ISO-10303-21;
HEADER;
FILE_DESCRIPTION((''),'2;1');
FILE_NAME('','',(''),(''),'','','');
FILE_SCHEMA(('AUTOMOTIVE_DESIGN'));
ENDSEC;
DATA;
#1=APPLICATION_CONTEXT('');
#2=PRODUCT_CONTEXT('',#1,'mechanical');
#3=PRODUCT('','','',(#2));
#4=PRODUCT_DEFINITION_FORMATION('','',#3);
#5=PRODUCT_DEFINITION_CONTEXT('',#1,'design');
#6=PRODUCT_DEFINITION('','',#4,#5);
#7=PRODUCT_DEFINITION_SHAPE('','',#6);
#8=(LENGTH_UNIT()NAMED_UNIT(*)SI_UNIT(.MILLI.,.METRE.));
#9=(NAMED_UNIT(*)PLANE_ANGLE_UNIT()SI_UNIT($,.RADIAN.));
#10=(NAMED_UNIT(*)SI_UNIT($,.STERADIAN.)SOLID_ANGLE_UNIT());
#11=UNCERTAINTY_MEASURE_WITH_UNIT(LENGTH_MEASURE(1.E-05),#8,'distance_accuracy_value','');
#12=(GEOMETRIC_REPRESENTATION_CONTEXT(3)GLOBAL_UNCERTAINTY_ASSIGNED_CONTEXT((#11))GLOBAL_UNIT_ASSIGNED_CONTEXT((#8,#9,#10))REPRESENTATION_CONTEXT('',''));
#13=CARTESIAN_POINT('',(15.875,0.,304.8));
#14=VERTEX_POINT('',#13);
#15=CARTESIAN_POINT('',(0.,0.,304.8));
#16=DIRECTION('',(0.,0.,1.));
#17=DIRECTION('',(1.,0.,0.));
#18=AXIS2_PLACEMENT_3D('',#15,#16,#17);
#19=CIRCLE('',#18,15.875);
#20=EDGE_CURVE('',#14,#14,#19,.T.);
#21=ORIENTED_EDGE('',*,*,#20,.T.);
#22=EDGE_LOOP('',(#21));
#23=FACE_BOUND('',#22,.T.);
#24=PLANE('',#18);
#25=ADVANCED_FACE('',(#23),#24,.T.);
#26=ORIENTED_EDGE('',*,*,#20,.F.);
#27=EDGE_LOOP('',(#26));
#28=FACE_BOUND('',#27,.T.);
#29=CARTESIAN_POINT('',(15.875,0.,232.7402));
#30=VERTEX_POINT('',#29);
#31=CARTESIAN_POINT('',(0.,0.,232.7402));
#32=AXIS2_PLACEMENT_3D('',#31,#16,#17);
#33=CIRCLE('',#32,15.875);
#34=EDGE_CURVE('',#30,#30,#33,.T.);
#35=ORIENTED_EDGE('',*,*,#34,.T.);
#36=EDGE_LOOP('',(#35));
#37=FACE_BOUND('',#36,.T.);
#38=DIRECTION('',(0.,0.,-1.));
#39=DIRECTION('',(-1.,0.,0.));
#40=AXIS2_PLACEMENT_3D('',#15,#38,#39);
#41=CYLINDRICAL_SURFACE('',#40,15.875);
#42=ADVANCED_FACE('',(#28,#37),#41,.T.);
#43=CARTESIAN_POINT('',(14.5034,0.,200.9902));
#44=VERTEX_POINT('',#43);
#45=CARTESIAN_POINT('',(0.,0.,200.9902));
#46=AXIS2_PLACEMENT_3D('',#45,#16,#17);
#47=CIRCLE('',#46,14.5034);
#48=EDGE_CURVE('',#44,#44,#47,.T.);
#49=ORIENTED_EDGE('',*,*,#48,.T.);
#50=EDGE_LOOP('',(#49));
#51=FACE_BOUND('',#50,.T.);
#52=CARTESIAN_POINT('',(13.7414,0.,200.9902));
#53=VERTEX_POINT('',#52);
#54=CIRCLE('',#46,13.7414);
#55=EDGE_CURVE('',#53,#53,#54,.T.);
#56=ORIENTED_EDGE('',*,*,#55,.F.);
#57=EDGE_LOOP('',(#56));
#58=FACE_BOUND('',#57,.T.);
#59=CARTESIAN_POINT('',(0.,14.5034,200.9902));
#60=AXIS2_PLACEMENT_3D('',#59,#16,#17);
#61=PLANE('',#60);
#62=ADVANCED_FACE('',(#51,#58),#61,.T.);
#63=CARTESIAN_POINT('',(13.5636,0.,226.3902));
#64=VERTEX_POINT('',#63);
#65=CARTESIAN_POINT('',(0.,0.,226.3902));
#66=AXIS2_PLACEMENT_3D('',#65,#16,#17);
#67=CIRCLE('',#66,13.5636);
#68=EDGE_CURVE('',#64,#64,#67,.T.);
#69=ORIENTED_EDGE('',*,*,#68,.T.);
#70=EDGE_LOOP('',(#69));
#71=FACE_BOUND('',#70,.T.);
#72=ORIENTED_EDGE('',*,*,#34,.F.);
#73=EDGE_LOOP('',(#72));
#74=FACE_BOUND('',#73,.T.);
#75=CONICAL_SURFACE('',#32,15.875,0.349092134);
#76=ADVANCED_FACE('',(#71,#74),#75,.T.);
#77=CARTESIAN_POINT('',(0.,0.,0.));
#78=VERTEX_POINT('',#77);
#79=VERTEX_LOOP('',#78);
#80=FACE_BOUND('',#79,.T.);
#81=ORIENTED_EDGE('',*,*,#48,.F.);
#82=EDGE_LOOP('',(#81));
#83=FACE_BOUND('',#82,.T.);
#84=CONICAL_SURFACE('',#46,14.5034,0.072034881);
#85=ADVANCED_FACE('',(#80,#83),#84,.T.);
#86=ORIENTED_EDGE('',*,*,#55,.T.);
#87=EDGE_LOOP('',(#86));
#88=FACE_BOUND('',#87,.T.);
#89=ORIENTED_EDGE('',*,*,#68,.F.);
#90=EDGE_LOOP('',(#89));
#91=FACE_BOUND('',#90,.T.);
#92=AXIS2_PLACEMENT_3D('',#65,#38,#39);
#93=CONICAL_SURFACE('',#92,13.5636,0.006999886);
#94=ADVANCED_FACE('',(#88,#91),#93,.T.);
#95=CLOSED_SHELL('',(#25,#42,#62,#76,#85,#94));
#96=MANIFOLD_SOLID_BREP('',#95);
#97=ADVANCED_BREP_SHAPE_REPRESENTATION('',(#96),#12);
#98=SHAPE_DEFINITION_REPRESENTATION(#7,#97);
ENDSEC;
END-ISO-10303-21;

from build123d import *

# Parameters (mm, degrees)
SKETCH1_R           = 15.875
BOSS_EXTRUDE1_DEPTH = 304.8


with BuildPart() as part:
    # Sketch1 → Boss-Extrude1 (new body)
    with BuildSketch(Plane.XY):
        Circle(SKETCH1_R)
    extrude(amount=BOSS_EXTRUDE1_DEPTH)

    # Sketch2 → Cut-Revolve9 (revolve, cut)
    with BuildSketch(Plane(origin=(0, 0, 0), x_dir=(0, 0, -1), z_dir=(1, 0, 0))):
        Polygon((0, 0), (-200.9902, 14.5034), (-200.9902, 13.7414), (-226.3902, 13.5636), (-232.7402, 15.875), (-232.7402, 31.694033842), (2.194318367, 31.694033842), (0.985250692, 0), align=None)
    revolve(axis=Axis((0, 0, 371.81049345), (0, 0, -1)), mode=Mode.SUBTRACT)


solid = part.part
